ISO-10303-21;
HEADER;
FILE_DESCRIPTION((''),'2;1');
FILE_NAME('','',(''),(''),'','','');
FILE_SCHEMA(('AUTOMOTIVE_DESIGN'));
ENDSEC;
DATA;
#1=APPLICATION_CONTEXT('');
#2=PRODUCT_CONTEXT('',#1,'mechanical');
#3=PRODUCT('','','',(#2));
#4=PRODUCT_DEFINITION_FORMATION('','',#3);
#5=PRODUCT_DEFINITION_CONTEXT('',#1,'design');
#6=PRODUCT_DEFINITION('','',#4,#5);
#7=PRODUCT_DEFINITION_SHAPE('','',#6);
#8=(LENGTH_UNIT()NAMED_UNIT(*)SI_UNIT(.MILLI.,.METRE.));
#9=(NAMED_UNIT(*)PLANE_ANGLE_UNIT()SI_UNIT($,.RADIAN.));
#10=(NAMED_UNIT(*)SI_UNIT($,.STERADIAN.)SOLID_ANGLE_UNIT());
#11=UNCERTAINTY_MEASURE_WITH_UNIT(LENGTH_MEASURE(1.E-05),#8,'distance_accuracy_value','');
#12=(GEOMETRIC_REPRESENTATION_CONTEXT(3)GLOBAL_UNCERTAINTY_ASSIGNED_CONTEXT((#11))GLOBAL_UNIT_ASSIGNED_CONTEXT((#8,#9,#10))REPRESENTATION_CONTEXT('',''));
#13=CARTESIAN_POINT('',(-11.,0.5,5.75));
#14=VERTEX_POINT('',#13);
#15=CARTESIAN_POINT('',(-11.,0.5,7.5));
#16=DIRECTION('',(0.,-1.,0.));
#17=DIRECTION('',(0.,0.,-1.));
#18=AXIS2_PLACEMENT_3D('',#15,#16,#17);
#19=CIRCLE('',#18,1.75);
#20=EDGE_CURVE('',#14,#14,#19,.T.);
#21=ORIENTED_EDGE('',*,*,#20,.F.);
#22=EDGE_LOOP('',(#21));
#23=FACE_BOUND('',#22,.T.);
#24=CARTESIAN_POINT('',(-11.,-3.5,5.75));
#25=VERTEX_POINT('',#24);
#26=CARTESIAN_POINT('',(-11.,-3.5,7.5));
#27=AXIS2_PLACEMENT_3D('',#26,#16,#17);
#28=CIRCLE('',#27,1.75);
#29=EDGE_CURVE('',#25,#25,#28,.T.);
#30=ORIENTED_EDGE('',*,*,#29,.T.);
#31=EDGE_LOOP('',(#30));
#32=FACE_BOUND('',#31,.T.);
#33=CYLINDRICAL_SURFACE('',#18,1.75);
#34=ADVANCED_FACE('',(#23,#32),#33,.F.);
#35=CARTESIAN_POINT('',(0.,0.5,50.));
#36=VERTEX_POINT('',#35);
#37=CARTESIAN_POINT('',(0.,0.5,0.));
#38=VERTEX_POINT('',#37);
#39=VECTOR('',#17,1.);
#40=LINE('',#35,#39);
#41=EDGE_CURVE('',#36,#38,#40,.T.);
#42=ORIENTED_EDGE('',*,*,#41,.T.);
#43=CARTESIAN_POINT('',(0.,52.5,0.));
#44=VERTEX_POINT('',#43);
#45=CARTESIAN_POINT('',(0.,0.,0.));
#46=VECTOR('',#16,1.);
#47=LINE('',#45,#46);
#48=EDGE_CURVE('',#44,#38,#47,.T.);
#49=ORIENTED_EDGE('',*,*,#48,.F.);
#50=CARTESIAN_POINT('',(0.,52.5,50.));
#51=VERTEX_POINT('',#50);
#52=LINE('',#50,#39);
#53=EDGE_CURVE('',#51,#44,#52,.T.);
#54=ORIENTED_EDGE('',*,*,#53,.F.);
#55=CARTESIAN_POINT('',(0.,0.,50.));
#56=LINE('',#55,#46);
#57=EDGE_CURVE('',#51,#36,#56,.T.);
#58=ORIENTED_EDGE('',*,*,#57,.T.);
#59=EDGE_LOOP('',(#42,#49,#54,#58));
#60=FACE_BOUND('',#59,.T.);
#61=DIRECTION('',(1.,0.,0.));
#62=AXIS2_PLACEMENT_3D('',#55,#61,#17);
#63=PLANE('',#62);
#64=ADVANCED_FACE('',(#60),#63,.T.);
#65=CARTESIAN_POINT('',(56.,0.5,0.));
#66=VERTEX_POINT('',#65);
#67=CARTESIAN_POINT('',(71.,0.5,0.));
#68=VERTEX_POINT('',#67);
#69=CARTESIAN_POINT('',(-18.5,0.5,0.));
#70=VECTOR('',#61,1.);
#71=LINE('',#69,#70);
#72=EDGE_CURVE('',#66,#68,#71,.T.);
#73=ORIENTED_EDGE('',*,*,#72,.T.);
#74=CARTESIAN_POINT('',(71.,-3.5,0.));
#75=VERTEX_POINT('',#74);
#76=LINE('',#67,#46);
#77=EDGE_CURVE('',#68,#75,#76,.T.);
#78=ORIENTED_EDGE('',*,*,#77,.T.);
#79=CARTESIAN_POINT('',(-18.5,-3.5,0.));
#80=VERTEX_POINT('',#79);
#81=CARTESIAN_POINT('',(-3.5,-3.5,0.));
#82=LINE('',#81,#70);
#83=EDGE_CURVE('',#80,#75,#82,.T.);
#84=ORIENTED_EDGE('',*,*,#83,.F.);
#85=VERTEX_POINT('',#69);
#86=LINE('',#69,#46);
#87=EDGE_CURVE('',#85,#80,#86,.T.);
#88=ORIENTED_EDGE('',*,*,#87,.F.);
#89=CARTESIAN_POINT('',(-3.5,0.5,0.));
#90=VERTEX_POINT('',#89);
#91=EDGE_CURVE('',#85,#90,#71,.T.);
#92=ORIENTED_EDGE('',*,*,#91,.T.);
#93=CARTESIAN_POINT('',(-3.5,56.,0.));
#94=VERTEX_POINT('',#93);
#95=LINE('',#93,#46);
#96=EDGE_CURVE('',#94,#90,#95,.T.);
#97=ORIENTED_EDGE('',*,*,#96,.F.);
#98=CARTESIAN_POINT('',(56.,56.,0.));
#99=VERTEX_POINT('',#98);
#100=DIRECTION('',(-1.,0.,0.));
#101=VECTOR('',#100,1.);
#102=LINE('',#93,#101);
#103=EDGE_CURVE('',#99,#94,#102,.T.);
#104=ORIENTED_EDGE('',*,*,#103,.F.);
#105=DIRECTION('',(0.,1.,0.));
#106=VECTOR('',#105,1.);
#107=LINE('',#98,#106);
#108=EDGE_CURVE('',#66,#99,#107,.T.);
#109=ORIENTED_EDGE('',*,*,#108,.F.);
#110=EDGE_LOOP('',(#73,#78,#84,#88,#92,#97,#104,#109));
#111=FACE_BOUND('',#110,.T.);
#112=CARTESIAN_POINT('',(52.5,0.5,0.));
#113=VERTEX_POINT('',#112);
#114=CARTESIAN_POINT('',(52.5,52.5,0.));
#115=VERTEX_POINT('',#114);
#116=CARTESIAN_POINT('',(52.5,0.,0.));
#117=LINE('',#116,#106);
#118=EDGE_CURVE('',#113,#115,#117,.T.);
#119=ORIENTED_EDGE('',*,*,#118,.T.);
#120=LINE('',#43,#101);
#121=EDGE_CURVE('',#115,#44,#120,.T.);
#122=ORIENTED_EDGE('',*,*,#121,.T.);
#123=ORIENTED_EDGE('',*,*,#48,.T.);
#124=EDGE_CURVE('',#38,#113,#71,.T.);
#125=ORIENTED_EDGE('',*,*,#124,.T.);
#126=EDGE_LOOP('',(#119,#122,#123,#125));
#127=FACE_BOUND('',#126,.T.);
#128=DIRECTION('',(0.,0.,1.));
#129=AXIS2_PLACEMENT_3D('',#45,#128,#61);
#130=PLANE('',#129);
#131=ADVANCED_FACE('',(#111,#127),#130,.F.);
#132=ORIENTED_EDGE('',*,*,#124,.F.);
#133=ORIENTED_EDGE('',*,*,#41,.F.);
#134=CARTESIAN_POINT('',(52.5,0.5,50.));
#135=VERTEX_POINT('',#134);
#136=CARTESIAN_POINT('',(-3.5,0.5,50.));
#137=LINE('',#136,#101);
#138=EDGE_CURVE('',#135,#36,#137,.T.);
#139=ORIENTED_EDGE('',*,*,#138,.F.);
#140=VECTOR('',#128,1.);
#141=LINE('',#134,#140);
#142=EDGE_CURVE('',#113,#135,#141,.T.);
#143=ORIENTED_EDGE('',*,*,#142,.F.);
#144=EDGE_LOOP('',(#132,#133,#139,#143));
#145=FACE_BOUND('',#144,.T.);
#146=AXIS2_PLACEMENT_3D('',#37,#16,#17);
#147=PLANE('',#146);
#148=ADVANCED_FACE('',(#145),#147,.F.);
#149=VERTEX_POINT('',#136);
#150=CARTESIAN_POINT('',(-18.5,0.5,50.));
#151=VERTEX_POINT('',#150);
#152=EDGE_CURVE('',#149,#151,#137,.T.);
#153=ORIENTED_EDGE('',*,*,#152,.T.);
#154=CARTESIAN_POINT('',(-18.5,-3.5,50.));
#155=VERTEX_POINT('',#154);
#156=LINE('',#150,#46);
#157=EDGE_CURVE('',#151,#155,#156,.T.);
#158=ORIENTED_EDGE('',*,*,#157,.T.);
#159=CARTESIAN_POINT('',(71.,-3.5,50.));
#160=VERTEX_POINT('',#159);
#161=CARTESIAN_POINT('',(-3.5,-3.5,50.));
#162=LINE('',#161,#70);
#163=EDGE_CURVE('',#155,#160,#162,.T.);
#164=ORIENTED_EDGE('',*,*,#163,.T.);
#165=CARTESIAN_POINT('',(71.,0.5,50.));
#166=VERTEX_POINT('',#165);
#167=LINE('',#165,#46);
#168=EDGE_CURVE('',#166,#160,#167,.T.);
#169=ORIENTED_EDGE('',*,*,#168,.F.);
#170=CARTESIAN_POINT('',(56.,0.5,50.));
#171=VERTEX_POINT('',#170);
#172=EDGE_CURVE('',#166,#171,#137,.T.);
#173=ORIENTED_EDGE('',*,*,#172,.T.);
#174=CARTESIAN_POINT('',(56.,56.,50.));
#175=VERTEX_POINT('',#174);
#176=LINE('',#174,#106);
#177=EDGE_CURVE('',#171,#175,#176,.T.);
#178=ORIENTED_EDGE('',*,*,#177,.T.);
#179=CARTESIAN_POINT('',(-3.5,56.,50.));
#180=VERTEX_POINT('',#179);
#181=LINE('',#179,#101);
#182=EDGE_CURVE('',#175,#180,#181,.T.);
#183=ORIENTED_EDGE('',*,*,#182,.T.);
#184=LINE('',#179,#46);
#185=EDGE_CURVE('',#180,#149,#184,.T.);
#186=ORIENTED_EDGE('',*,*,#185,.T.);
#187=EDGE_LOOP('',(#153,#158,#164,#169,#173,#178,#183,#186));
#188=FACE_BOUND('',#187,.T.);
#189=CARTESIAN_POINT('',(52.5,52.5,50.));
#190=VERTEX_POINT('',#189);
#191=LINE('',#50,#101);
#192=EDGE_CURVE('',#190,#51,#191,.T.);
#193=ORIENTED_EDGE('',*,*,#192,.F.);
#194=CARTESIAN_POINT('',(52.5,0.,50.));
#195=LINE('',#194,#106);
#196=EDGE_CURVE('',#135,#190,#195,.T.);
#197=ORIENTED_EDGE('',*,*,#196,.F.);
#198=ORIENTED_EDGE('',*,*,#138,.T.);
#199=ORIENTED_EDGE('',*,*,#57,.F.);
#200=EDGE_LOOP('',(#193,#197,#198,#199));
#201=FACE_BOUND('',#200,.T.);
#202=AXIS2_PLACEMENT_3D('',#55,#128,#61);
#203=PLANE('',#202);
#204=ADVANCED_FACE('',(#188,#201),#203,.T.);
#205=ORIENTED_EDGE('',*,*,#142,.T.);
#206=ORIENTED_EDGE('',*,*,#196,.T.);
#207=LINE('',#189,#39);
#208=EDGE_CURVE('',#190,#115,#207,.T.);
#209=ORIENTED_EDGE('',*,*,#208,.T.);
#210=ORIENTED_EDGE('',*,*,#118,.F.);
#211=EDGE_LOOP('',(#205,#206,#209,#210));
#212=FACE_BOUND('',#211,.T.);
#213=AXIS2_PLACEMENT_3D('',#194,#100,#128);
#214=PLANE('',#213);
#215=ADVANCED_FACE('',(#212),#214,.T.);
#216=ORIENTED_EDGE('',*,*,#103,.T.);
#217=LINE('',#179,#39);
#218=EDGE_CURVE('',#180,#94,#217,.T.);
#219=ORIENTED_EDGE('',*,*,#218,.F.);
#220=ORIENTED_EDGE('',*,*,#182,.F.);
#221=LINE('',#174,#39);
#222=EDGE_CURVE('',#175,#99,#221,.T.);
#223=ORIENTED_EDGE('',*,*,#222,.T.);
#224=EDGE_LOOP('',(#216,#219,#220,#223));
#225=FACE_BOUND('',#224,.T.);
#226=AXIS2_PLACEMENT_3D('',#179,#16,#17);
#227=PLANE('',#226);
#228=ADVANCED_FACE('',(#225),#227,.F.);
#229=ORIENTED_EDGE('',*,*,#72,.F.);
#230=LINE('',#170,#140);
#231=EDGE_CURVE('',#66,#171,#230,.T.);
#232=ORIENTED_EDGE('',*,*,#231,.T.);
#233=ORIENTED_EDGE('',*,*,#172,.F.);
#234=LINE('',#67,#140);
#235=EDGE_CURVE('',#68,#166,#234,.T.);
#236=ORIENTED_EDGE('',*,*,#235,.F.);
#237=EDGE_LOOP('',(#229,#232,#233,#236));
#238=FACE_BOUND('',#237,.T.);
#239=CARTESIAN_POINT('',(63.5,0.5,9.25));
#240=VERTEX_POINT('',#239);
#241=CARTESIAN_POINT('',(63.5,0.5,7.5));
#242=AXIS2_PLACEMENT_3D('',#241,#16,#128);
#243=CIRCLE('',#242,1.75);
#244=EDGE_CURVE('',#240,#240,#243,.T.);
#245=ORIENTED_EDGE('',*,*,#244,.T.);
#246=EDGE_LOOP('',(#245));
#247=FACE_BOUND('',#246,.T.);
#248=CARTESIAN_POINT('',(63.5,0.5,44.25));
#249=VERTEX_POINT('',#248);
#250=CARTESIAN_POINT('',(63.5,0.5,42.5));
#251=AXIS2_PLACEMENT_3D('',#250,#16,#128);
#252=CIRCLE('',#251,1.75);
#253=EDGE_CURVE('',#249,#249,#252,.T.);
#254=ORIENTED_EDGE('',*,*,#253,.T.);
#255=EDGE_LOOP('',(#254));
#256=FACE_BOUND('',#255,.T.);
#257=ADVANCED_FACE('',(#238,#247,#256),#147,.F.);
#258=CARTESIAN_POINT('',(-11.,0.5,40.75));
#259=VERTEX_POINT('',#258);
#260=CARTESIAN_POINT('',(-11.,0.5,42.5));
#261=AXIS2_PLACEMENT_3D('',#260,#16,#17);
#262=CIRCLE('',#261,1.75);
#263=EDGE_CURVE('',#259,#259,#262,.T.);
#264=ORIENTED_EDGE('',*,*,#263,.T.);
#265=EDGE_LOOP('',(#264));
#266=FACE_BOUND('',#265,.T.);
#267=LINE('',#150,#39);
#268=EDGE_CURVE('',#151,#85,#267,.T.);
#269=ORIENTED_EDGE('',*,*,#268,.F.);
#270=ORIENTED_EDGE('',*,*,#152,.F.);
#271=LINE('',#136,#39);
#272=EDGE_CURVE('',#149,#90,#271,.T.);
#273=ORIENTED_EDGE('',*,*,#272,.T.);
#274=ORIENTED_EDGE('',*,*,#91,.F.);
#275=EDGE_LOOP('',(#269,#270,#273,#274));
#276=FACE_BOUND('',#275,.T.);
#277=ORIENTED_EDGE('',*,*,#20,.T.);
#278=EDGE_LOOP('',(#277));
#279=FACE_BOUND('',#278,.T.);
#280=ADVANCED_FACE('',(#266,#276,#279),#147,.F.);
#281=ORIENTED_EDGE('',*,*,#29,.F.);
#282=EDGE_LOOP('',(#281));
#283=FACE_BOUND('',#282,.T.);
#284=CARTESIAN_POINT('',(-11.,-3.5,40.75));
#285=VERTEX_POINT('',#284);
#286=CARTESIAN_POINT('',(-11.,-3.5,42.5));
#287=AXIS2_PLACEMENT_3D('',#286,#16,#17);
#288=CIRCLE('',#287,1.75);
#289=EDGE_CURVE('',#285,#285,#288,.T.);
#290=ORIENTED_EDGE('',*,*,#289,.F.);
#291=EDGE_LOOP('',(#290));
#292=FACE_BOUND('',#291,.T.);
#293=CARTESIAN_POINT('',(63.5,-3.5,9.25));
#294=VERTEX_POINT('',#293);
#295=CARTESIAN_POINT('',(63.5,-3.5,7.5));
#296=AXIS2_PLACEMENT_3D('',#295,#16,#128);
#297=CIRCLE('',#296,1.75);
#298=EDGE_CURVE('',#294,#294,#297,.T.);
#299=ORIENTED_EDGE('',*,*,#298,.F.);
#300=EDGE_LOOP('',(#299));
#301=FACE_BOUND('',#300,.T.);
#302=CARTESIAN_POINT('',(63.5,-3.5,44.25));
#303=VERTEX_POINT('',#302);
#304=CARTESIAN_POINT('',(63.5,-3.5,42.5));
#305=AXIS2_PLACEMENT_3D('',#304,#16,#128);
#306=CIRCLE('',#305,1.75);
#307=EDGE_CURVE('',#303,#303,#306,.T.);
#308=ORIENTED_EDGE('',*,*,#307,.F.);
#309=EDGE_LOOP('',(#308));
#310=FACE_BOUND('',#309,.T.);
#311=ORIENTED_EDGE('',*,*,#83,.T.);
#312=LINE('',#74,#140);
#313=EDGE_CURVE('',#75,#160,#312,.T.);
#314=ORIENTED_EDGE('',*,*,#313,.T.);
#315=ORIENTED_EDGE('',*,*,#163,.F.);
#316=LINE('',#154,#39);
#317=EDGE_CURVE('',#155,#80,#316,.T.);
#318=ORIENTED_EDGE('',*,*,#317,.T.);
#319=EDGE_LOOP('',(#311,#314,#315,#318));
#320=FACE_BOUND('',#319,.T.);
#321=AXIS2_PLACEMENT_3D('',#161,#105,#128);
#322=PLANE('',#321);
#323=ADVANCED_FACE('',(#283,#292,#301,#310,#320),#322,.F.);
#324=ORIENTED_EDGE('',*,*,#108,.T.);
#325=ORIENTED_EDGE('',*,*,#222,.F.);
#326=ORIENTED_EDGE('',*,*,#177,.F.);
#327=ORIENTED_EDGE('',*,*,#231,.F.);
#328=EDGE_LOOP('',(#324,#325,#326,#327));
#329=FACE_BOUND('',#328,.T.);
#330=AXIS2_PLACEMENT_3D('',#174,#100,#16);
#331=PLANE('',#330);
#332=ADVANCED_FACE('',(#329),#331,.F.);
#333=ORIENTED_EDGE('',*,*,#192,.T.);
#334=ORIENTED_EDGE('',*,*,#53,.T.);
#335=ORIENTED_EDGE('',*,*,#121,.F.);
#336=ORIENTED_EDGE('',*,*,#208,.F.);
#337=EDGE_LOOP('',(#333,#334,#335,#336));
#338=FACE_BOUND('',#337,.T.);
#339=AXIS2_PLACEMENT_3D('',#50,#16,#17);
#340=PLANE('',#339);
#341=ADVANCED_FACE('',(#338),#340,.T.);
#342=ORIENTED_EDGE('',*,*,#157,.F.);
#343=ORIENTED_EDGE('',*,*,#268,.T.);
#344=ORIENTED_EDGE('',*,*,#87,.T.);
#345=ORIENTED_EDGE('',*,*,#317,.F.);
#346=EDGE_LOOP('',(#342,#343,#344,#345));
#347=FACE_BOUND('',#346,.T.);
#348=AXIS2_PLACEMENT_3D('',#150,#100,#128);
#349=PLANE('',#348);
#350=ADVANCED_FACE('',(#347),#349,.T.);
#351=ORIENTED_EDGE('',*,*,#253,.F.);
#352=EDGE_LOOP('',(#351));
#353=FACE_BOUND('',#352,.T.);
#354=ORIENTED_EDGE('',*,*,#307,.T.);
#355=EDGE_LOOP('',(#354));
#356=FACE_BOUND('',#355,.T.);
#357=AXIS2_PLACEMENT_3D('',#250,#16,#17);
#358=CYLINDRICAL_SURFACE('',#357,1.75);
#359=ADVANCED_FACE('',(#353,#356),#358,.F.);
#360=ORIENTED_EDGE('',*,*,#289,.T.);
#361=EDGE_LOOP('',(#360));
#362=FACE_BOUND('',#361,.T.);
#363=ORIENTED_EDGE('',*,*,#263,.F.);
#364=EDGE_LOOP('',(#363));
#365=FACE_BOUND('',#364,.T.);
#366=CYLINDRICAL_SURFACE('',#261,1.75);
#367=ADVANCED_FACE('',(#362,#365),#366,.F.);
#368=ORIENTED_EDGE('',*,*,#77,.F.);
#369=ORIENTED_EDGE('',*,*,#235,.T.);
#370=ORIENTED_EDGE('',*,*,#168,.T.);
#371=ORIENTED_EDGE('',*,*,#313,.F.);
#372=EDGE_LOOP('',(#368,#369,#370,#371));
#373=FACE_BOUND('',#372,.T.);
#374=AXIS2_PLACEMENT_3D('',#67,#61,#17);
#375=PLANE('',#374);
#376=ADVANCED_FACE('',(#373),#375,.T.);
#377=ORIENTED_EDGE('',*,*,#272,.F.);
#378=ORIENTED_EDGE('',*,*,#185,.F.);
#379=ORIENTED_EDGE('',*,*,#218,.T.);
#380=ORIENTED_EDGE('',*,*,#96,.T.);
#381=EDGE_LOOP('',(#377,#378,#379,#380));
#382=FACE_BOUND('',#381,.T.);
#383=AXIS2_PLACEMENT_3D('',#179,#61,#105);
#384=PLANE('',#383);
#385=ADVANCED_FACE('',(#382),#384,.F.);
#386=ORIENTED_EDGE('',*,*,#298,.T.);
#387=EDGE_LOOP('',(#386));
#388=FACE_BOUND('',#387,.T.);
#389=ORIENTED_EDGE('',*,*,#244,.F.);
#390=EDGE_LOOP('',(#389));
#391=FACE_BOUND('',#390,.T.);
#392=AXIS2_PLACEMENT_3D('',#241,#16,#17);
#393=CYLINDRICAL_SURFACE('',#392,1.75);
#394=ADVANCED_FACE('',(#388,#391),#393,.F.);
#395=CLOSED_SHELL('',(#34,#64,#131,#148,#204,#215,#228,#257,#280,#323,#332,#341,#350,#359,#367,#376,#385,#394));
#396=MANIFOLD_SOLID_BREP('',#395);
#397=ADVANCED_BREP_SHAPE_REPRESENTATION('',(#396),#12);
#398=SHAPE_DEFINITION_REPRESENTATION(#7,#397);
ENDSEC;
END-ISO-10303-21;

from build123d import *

# Parameters (mm, degrees)
SKETCH5_W           = 59.5
SKETCH5_H           = 59.5
SKETCH5_W_2         = 52.5
SKETCH5_H_2         = 52.5
BOSS_EXTRUDE5_DEPTH = 50
SKETCH7_R           = 1.75
BOSS_EXTRUDE7_DEPTH = 4


with BuildPart() as part:
    # Sketch5 → Boss-Extrude5 (new body)
    with BuildSketch(Plane.XY):
        with Locations((26.25, 26.25)):
            Rectangle(SKETCH5_W, SKETCH5_H)
        with Locations((26.25, 26.25)):
            Rectangle(SKETCH5_W_2, SKETCH5_H_2, mode=Mode.SUBTRACT)
    extrude(amount=BOSS_EXTRUDE5_DEPTH)

    # Sketch7 → Boss-Extrude7 (add)
    with BuildSketch(Plane.XZ.offset(3.5)):
        Polygon((-3.5, 50), (-18.5, 50), (-18.5, 0), (71, 0), (71, 50), (56, 50), align=None)
        with Locations(Location((-11, 42.5, 0), (0, 0, 270))):
            Circle(SKETCH7_R, mode=Mode.SUBTRACT)
        with Locations(Location((-11, 7.5, 0), (0, 0, 270))):
            Circle(SKETCH7_R, mode=Mode.SUBTRACT)
        with Locations(Location((63.5, 7.5, 0), (0, 0, 90))):
            Circle(SKETCH7_R, mode=Mode.SUBTRACT)
        with Locations(Location((63.5, 42.5, 0), (0, 0, 90))):
            Circle(SKETCH7_R, mode=Mode.SUBTRACT)
    extrude(amount=-BOSS_EXTRUDE7_DEPTH)


solid = part.part
